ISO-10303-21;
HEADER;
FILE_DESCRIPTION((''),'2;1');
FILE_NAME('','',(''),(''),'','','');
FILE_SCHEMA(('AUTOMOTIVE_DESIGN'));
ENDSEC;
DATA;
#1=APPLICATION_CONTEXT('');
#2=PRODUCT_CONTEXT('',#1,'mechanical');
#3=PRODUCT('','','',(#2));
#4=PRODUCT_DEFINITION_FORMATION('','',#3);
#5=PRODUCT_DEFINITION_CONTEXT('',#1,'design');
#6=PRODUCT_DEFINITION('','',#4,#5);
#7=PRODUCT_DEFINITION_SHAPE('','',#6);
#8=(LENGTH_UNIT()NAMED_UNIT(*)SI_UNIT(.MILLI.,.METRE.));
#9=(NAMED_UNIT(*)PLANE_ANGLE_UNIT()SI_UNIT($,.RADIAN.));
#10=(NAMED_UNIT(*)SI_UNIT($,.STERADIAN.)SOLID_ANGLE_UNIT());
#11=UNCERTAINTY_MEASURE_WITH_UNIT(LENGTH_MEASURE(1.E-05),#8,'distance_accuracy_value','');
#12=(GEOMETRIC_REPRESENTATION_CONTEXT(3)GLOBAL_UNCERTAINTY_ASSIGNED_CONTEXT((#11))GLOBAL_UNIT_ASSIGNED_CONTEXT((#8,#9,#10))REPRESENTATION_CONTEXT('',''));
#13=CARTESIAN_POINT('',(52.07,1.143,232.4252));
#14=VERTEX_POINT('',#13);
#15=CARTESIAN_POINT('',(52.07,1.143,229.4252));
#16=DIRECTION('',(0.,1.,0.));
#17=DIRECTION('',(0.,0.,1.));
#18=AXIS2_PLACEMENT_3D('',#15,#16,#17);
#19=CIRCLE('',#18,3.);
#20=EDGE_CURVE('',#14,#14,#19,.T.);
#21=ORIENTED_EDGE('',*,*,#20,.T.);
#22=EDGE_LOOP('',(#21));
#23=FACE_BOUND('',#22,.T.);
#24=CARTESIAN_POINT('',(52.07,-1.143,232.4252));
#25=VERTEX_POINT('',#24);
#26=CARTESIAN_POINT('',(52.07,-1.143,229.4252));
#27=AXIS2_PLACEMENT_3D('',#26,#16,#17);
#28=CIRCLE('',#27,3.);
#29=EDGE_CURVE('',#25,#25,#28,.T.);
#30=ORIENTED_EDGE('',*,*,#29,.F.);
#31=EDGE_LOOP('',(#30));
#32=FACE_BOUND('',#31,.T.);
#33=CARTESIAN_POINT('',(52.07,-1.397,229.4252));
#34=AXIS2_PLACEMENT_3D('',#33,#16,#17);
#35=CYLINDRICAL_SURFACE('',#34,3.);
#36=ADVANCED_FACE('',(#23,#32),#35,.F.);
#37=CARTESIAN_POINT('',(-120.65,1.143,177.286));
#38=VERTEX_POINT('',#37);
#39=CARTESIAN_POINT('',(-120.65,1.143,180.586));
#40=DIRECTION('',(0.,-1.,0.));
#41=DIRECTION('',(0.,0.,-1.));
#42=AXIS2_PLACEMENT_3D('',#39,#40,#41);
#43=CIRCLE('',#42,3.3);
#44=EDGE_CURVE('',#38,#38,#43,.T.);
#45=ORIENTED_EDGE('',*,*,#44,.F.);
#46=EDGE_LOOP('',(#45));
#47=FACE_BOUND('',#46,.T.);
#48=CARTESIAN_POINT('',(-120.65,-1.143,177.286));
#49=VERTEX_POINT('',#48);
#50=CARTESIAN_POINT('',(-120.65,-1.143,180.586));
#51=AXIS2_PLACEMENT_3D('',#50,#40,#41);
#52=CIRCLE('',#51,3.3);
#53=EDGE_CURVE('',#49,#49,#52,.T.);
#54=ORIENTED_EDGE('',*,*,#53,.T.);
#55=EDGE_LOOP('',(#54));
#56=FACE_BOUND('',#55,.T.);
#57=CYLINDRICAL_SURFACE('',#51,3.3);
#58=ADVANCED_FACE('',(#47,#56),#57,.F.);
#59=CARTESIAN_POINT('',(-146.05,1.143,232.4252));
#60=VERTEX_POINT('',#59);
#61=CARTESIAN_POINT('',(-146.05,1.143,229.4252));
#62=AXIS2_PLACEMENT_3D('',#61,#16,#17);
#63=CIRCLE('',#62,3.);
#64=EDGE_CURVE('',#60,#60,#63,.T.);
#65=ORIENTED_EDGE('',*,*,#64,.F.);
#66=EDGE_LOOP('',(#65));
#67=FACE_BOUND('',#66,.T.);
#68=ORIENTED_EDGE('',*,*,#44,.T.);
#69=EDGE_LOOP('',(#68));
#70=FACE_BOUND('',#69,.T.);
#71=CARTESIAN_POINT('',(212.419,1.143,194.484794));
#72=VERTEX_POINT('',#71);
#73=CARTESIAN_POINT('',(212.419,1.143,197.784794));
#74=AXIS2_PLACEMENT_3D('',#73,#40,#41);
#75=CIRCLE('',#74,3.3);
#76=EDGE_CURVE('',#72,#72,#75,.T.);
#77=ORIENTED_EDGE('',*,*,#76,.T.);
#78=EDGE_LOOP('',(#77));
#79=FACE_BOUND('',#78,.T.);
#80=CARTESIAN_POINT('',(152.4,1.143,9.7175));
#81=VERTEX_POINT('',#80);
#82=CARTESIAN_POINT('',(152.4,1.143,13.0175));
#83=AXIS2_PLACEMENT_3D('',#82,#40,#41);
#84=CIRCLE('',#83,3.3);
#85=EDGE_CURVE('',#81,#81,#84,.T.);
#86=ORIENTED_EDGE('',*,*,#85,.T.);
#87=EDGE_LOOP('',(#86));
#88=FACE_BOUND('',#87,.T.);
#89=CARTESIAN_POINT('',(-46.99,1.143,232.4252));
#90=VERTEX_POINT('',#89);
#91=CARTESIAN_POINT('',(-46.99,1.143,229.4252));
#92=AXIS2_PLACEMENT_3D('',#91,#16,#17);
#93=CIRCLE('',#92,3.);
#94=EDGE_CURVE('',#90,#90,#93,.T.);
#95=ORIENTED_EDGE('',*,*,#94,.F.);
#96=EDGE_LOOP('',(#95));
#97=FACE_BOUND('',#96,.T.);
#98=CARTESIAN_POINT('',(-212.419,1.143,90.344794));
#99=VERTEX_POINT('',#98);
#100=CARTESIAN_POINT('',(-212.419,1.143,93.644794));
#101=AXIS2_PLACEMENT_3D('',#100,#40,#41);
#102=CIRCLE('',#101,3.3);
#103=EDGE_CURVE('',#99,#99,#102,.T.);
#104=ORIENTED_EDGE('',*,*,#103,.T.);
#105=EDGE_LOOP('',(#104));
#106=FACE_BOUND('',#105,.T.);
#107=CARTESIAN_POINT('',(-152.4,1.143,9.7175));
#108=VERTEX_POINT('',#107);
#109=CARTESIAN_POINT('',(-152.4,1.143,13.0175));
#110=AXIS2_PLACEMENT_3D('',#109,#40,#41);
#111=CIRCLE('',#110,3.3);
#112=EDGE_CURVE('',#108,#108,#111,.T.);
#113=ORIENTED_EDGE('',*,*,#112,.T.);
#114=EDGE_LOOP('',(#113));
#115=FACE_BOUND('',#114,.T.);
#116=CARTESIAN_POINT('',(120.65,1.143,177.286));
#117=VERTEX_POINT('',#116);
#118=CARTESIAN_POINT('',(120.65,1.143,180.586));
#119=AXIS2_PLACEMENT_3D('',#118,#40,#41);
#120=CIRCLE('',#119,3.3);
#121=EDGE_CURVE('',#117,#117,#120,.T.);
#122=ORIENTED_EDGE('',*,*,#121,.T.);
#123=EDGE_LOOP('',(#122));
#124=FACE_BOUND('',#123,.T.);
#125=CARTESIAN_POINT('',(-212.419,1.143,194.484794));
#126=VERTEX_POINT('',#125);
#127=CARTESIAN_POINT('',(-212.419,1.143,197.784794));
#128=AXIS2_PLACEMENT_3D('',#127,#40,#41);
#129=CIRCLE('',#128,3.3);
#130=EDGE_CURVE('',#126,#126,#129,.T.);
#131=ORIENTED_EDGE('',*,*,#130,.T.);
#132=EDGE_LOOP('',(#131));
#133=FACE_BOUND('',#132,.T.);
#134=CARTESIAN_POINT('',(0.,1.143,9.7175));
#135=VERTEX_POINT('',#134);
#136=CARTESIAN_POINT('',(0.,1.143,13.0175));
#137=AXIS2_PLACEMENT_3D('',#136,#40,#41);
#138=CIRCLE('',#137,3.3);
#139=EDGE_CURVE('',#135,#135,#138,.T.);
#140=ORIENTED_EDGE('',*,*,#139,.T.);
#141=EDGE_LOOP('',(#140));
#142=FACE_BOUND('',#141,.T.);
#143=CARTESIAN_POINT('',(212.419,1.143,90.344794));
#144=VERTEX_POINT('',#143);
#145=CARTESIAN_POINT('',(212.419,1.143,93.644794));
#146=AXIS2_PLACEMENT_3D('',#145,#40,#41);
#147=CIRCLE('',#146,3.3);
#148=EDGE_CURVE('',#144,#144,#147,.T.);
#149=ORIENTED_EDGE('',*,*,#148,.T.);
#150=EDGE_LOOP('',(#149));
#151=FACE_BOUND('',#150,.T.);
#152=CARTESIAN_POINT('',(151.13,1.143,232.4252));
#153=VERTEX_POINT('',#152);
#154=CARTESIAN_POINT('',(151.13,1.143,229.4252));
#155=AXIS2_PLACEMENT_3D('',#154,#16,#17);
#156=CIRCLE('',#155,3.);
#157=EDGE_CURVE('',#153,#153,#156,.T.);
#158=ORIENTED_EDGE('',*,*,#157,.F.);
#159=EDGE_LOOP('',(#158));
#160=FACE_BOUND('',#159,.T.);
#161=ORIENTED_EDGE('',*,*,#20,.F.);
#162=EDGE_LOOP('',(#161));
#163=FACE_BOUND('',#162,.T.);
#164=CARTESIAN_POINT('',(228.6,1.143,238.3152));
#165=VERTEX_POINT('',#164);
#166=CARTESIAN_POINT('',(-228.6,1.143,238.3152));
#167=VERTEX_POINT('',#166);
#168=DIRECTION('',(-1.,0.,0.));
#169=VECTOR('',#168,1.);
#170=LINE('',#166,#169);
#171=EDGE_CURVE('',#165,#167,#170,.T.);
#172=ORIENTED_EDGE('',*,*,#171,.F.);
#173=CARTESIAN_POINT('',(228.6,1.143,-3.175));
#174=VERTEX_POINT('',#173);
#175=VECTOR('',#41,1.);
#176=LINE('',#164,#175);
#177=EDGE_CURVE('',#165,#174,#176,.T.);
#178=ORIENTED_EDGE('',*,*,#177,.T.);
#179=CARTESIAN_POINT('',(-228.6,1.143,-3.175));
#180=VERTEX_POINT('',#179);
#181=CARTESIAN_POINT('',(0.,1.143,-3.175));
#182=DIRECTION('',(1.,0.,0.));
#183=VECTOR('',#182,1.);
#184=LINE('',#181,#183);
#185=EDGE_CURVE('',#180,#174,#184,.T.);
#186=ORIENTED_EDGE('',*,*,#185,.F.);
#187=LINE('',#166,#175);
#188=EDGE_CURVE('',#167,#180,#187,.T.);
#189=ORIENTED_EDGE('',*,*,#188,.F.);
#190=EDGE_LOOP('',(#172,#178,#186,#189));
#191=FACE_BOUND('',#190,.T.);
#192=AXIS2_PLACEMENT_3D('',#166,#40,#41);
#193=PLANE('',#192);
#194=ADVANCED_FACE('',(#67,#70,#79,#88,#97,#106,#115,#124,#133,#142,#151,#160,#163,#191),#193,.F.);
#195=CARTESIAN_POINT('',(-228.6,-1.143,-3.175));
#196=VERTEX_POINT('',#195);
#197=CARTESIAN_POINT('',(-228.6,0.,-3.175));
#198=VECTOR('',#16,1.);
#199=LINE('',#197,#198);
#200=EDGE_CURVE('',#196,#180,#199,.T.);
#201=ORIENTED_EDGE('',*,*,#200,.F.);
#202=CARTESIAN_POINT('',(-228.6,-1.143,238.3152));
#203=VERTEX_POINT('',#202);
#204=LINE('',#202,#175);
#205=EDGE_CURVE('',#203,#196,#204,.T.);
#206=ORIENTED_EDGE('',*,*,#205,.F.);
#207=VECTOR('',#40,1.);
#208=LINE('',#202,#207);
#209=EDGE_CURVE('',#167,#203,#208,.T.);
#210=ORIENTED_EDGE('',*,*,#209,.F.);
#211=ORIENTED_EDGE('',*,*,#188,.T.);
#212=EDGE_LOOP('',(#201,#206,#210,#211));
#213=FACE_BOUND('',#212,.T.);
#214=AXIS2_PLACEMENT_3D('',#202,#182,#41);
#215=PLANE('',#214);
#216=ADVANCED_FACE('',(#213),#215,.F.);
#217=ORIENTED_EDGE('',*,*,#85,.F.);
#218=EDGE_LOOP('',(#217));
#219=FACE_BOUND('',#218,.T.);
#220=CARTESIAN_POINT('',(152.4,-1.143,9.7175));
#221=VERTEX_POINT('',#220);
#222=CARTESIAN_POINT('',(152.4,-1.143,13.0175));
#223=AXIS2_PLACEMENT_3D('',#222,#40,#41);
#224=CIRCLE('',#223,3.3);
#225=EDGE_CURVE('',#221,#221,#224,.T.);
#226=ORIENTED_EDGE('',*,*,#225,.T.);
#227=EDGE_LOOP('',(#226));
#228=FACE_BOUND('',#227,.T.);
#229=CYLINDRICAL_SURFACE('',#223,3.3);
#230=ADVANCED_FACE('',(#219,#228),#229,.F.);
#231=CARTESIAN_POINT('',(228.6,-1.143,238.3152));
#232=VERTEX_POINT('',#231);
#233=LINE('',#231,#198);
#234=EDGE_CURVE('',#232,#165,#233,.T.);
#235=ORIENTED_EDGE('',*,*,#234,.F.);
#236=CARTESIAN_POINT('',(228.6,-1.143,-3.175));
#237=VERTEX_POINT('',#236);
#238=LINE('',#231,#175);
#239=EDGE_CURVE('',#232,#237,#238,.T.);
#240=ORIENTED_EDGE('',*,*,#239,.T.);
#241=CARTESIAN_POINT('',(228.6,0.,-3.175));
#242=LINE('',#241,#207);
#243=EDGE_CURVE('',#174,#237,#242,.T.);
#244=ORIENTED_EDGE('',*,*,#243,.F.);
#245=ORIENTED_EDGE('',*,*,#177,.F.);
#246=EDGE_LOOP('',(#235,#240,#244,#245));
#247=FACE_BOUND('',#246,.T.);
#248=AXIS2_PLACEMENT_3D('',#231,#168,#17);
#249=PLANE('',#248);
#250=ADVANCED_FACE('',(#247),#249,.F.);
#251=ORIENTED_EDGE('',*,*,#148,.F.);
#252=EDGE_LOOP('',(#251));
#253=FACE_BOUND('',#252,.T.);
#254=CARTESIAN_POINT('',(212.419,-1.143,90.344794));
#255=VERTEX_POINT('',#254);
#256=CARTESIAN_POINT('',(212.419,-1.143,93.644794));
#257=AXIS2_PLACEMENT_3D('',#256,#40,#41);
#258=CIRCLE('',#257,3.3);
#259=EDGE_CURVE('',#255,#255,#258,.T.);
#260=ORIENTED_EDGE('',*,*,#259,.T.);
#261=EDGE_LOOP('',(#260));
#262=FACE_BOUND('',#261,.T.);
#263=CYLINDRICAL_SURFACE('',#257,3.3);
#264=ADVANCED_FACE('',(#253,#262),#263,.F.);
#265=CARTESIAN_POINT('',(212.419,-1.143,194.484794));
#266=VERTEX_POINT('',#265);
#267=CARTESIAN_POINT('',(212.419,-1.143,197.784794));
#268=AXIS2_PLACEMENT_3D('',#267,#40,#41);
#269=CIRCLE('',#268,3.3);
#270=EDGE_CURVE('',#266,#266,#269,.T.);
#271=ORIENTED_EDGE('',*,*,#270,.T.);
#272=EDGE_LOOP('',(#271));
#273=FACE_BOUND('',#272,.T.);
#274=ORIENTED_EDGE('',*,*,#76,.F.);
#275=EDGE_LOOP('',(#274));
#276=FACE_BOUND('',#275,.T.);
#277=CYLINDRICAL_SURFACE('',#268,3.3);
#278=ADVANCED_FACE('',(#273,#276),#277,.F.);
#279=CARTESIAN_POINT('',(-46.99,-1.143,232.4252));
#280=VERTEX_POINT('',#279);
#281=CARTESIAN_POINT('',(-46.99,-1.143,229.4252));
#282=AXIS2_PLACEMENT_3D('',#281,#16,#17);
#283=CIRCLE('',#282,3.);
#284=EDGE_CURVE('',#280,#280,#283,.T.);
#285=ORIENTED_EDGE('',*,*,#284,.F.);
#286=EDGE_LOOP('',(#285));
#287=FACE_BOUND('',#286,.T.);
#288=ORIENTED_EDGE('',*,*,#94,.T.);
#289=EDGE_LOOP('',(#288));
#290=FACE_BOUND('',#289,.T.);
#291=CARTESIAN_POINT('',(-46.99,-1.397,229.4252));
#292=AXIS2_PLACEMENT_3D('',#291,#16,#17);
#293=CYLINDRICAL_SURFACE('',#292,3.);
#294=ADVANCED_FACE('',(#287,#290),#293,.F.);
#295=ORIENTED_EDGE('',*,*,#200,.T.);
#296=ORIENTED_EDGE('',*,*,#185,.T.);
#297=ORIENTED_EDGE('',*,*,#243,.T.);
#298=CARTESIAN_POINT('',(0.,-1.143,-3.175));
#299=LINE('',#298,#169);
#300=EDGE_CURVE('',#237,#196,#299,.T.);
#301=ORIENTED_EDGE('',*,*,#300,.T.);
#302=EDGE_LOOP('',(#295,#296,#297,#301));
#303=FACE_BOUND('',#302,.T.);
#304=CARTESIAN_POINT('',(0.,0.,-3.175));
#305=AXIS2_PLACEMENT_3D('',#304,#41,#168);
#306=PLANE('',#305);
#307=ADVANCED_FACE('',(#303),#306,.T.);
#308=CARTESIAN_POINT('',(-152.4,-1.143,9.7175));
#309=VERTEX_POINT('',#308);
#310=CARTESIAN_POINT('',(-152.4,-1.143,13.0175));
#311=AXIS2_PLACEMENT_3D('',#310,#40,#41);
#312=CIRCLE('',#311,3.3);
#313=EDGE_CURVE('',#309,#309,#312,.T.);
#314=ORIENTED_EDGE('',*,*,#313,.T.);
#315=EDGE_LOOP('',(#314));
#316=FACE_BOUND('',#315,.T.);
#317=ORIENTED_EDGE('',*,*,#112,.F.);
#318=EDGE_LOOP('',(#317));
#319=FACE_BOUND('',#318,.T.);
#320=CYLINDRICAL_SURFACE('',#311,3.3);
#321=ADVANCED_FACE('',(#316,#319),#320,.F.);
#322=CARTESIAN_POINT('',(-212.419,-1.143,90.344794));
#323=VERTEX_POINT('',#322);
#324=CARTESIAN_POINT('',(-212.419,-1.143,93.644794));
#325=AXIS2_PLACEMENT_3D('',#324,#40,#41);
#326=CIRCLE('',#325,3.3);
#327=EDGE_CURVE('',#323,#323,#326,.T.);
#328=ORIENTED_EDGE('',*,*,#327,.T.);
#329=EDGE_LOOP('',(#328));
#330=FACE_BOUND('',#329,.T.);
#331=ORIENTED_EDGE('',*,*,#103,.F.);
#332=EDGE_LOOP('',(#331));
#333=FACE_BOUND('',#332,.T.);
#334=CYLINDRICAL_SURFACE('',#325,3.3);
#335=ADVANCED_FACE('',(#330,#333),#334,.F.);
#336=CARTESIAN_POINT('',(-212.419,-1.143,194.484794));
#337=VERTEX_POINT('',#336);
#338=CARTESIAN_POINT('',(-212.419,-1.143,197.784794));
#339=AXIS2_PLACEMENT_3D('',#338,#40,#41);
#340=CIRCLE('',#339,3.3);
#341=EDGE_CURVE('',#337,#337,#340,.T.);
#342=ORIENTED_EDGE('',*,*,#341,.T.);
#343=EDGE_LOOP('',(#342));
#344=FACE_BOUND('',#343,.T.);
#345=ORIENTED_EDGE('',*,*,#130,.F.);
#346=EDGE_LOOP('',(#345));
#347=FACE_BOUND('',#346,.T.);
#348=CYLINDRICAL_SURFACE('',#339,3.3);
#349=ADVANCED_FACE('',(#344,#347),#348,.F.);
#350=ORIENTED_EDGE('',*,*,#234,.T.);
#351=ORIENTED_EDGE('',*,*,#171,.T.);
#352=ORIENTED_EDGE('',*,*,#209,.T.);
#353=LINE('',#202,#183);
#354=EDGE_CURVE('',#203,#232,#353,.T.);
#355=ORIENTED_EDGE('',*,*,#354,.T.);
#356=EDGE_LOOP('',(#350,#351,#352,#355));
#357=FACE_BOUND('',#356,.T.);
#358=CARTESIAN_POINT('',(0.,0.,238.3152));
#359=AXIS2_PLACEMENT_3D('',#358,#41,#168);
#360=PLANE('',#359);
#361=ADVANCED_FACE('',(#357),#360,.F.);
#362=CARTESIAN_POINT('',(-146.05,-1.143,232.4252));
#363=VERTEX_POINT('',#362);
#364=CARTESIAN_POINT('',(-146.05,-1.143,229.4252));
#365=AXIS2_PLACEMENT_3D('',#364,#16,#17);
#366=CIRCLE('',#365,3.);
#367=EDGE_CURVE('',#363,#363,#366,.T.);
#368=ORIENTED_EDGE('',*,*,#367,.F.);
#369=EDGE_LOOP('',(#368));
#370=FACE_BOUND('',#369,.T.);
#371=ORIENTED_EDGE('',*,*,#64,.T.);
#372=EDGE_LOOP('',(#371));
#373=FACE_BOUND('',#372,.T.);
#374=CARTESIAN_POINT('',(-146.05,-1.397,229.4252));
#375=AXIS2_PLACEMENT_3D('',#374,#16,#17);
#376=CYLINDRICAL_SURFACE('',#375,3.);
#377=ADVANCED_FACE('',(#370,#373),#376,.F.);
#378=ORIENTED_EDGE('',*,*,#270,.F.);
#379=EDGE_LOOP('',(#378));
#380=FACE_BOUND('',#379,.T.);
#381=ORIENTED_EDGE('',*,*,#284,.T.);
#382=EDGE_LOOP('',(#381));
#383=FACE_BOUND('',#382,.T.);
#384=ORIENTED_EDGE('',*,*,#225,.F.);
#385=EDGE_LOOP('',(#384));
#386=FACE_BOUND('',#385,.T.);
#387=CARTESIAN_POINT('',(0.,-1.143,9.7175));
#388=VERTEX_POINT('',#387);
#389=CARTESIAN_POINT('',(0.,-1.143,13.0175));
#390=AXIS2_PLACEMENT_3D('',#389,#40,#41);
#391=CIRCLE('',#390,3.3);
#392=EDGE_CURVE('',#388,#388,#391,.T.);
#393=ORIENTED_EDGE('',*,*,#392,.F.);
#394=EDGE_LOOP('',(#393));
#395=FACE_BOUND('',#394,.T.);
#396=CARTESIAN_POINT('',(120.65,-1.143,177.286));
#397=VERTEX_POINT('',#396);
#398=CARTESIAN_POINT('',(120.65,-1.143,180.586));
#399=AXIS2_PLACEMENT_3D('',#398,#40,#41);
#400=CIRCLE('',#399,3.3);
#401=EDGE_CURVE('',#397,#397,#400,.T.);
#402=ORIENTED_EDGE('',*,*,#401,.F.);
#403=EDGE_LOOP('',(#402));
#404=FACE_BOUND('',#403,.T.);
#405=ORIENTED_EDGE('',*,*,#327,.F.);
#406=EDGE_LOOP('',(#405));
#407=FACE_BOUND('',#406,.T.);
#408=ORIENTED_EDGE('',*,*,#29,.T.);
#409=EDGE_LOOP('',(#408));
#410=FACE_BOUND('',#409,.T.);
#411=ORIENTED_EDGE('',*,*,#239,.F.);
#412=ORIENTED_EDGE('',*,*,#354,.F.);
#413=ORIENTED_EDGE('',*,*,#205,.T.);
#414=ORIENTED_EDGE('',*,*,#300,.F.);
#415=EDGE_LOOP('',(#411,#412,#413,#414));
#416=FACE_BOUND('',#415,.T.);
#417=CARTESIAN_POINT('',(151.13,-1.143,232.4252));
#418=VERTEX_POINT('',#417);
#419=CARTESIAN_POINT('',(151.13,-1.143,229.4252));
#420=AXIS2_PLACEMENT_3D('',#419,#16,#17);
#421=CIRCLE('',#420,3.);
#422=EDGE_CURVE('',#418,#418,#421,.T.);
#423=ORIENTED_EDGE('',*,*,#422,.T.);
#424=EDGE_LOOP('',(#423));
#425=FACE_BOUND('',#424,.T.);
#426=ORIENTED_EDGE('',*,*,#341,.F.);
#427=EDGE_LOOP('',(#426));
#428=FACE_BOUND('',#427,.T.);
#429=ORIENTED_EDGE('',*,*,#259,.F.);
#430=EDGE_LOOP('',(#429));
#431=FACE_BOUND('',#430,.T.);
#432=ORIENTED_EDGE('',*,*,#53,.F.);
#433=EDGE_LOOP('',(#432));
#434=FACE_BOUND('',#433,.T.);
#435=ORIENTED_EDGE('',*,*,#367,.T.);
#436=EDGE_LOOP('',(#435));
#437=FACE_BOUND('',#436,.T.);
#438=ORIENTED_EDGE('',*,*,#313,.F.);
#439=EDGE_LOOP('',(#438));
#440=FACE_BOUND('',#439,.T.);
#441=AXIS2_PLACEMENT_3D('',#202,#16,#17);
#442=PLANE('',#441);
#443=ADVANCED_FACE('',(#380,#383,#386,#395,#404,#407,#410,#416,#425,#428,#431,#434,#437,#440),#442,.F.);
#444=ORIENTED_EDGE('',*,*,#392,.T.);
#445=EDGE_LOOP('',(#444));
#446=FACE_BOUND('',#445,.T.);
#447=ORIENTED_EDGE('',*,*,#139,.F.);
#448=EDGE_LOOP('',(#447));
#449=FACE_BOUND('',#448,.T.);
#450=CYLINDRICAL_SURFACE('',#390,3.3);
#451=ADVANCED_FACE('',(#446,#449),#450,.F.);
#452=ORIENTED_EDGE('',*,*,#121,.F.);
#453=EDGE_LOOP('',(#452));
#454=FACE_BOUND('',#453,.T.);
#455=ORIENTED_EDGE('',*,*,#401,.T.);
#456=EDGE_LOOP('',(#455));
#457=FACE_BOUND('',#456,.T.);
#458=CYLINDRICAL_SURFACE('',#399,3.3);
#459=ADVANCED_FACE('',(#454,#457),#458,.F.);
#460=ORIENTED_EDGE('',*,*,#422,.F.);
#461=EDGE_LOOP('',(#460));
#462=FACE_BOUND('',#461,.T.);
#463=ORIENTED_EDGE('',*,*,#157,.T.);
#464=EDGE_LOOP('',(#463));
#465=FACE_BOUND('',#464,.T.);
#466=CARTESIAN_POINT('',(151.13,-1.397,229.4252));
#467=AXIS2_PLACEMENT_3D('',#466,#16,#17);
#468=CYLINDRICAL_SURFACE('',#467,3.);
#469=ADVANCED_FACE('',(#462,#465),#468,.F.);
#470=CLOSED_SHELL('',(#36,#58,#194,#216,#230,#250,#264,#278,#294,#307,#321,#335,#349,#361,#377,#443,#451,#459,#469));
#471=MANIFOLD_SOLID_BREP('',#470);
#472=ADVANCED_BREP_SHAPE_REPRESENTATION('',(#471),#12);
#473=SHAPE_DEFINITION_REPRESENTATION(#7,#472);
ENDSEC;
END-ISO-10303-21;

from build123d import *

# Parameters (mm, degrees)
SKETCH1_W            = 457.2
SKETCH1_H            = 2.286
BOSS_EXTRUDE1_DEPTH  = 238.315200026
SKETCH2_W            = 457.2
SKETCH2_H            = 2.286
BOSS_EXTRUDE2_DEPTH  = 3.175
SKETCH9_R            = 3
CUT_EXTRUDE10_DEPTH  = 2.54
LPATTERN1_COUNT      = 4
LPATTERN1_PITCH      = 99.06
M6_CLEARANCE_HOLE1_D = 6.6


with BuildPart() as part:
    # Sketch1 → Boss-Extrude1 (new body)
    with BuildSketch(Plane.XY):
        Rectangle(SKETCH1_W, SKETCH1_H)
    extrude(amount=BOSS_EXTRUDE1_DEPTH)

    # Sketch2 → Boss-Extrude2 (add)
    with BuildSketch(Plane(origin=(0, 0, 0), x_dir=(-1, 0, 0), z_dir=(0, 0, -1))):
        Rectangle(SKETCH2_W, SKETCH2_H)
    extrude(amount=BOSS_EXTRUDE2_DEPTH)

    # Sketch9 → Cut-Extrude10 (cut)
    with BuildSketch(Plane(origin=(0, 1.143, 0), x_dir=(1, 0, 0), z_dir=(0, 1, 0))):
        with Locations(Location((-146.05, -229.425200026, 0), (0, 0, 270))):
            Circle(SKETCH9_R)
    cut_extrude10 = extrude(amount=-CUT_EXTRUDE10_DEPTH, mode=Mode.SUBTRACT)

    # LPattern1: Cut-Extrude10 ×4
    with Locations(*[(i * LPATTERN1_PITCH, 0, 0) for i in range(1, LPATTERN1_COUNT)]):
        add(cut_extrude10, mode=Mode.SUBTRACT)

    # M6 Clearance Hole1 (through all)
    with Locations(Plane.XZ.offset(1.143)):
        with Locations((-212.419, 93.644793717), (-152.4, 13.0175), (0, 13.0175), (152.4, 13.0175), (212.419, 93.644793717), (212.419, 197.784793717), (120.65, 180.586), (-120.65, 180.586), (-212.419, 197.784793717)):
            Hole(M6_CLEARANCE_HOLE1_D / 2)


solid = part.part
